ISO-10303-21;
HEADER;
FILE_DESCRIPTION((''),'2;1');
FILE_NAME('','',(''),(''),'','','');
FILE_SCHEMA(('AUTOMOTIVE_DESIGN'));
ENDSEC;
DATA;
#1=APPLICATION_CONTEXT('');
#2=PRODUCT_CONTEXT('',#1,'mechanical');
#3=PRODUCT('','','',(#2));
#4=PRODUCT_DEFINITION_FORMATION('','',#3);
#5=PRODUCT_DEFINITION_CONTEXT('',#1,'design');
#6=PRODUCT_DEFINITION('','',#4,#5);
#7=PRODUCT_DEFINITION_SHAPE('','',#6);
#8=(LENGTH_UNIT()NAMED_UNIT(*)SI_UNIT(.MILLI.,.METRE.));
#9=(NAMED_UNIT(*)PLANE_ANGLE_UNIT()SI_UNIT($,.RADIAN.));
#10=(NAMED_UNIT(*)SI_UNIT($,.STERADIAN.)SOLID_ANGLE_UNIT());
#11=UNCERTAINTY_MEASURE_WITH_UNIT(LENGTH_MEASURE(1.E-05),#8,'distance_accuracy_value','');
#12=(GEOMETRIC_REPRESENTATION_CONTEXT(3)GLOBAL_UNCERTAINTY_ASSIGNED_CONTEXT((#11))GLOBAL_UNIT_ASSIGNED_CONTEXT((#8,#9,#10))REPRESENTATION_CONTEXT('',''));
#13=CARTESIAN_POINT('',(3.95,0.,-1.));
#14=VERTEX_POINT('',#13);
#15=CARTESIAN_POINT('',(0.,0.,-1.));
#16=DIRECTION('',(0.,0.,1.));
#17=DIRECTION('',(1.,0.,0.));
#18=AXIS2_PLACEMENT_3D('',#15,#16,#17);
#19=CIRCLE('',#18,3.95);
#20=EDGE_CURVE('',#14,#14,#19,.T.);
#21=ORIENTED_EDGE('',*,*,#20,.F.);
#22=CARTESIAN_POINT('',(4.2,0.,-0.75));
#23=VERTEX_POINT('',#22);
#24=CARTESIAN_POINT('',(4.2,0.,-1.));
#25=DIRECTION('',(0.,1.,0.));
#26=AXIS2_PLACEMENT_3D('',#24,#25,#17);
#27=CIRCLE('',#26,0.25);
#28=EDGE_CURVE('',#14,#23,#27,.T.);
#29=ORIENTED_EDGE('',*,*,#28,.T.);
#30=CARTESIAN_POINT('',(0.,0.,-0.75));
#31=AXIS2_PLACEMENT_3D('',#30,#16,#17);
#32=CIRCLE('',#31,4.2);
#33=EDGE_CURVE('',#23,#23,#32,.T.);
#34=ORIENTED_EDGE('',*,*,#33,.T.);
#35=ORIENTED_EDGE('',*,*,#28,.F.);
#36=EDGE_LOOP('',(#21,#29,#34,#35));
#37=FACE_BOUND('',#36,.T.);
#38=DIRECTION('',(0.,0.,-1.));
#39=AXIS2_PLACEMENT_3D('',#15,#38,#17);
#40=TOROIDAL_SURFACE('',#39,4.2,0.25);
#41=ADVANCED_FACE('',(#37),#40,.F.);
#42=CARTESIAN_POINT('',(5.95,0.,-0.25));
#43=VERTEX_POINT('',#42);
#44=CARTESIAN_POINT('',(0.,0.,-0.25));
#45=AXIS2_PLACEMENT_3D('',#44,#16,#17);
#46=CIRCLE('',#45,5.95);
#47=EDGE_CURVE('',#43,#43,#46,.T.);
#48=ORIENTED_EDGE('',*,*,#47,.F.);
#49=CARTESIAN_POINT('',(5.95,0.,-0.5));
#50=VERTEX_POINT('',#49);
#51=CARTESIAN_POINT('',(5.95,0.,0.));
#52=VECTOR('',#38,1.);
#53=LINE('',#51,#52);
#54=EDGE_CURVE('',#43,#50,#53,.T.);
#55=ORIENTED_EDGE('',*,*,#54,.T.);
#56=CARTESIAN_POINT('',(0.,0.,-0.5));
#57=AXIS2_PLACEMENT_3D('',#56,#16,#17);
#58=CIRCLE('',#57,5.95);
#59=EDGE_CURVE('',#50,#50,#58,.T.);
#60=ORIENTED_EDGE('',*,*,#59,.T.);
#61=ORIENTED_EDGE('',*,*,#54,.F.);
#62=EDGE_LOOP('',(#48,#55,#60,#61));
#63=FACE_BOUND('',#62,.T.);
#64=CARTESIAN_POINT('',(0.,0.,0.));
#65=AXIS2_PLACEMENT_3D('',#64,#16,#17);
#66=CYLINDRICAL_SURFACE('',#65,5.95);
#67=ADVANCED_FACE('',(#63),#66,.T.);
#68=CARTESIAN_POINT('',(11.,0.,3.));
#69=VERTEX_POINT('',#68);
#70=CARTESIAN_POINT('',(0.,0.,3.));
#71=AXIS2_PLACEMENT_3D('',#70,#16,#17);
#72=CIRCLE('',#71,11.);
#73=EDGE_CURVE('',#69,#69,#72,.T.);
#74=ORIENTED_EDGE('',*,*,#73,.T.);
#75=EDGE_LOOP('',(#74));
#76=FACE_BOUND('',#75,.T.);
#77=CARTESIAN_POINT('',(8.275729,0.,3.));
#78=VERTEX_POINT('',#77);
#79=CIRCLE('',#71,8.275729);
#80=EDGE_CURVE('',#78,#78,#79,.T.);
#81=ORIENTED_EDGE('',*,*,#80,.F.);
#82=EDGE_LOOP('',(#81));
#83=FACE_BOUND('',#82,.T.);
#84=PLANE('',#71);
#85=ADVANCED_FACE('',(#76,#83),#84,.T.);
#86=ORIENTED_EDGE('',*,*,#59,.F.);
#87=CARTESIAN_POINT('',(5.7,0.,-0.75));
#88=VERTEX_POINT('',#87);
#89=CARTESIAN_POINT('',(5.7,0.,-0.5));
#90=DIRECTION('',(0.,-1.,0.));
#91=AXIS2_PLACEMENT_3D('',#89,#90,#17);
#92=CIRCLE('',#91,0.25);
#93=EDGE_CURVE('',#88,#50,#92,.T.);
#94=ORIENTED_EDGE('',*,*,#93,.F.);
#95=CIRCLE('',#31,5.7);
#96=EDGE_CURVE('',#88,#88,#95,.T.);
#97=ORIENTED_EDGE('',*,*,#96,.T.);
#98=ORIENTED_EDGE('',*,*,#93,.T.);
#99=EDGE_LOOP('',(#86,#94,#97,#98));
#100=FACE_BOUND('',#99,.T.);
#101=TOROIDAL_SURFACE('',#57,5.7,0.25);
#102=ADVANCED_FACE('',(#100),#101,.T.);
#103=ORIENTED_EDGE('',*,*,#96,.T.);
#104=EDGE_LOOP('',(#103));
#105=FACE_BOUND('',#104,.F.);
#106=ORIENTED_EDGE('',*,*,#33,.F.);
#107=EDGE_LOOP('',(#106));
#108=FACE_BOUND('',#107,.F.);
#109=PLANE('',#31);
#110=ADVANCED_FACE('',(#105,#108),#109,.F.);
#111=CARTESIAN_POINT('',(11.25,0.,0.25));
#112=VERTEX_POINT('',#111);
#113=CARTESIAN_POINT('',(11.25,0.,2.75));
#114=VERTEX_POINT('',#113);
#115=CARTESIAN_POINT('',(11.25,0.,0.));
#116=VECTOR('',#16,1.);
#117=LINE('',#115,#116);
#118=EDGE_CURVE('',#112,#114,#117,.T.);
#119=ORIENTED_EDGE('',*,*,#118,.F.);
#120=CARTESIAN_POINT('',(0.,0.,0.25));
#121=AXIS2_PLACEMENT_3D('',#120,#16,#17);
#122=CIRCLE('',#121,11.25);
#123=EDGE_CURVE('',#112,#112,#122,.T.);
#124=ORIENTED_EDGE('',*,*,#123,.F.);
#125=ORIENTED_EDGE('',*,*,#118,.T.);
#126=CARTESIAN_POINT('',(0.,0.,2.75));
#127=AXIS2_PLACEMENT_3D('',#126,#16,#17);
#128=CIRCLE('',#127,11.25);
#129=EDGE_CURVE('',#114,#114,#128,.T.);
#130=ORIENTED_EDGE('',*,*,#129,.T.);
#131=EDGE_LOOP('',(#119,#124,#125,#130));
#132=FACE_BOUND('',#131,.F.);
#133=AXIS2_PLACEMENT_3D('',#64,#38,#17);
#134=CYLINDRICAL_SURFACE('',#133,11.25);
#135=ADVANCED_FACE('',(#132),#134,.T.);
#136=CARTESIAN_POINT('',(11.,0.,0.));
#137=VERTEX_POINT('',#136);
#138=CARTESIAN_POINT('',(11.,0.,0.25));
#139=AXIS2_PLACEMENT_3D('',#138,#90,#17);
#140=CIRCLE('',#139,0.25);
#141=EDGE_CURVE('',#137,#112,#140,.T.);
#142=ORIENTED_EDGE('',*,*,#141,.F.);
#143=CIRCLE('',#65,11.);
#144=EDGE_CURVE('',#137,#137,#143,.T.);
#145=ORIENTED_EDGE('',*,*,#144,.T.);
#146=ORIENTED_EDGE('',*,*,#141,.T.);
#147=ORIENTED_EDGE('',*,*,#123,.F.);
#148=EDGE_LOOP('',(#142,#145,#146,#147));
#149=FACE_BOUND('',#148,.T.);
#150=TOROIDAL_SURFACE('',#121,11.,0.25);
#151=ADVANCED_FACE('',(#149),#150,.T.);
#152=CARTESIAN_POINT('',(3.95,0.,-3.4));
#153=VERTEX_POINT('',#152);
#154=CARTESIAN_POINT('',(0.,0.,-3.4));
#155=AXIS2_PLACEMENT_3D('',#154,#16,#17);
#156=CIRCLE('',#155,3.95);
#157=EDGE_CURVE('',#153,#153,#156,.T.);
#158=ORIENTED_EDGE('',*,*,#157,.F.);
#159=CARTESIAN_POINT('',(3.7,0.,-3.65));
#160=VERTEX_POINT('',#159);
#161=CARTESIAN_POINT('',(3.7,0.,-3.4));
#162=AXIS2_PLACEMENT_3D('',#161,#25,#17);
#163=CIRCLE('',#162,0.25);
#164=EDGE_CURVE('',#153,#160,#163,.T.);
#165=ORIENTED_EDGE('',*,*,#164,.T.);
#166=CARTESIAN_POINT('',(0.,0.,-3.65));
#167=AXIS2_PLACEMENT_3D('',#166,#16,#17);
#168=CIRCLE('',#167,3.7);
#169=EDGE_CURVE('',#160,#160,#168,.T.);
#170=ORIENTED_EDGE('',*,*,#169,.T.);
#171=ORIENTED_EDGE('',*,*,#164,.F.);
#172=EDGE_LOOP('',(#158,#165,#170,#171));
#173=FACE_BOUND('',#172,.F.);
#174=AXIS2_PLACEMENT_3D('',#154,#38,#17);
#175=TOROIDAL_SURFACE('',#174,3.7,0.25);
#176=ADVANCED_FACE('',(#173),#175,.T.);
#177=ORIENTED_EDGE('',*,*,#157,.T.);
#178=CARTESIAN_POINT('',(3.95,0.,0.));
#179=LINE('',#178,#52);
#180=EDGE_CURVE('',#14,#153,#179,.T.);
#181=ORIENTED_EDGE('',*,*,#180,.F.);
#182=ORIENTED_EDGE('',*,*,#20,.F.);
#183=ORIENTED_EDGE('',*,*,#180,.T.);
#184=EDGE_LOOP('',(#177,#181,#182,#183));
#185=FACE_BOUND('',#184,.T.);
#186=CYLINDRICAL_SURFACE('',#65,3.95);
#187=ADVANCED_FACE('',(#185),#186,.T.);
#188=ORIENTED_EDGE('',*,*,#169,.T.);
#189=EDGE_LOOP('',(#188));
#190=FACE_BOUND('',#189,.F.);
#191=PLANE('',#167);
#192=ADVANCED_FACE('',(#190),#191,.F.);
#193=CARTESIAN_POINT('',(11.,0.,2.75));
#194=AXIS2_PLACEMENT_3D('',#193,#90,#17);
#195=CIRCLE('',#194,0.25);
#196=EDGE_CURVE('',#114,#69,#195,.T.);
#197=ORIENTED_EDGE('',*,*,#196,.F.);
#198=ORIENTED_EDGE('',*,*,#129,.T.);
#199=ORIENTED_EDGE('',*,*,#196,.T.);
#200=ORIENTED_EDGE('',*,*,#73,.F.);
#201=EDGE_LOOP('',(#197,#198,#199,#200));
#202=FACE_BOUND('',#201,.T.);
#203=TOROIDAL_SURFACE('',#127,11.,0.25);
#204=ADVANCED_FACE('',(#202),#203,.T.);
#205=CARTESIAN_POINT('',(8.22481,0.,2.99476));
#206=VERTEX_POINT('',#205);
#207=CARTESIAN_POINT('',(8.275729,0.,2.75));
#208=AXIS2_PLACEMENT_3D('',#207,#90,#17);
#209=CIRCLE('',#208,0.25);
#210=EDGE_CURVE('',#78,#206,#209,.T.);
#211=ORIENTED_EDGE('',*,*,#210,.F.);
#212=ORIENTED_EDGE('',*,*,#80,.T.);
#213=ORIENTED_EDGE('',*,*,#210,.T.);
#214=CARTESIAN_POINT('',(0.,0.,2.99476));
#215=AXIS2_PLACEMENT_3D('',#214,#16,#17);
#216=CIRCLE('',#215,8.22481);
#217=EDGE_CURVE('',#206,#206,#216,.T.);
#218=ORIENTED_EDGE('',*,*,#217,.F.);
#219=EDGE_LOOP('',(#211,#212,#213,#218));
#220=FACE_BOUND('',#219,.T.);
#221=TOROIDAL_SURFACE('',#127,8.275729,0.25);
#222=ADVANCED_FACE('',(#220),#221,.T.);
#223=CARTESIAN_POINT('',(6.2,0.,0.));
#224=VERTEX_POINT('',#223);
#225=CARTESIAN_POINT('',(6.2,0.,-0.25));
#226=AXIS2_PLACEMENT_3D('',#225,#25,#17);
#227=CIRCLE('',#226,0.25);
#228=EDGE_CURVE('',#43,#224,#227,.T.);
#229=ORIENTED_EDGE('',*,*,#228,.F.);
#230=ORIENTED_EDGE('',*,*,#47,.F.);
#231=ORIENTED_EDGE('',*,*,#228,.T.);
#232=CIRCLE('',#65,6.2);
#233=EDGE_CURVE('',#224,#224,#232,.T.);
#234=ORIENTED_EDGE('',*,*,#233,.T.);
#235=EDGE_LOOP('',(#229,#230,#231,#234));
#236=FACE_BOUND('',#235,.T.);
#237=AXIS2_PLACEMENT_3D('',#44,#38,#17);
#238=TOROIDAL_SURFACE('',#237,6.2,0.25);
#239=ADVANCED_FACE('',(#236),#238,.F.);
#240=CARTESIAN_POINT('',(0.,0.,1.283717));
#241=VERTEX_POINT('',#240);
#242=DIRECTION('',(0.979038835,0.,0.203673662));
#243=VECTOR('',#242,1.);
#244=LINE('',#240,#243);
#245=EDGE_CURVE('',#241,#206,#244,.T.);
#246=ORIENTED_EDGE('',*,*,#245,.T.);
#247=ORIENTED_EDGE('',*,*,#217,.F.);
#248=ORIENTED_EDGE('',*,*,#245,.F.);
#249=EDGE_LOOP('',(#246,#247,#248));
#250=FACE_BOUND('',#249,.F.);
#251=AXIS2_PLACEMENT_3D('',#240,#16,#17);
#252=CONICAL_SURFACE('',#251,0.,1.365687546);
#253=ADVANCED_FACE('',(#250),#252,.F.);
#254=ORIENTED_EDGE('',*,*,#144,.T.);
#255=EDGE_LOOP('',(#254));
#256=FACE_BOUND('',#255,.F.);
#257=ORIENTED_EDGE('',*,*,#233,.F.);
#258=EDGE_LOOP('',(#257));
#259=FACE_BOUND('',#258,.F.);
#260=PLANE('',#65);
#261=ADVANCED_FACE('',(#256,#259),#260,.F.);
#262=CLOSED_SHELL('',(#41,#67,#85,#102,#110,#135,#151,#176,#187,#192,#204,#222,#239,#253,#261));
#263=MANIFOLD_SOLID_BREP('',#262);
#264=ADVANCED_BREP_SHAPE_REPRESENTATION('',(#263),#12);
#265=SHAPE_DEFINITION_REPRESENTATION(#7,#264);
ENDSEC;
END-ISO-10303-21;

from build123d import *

# Parameters (mm, degrees)
F0_R     = 11.25
F0_R_2   = 8.25
F0_R_3   = 5.95
F0_R_4   = 3.95
F1_DEPTH = 3
F2_DEPTH = 0.75
F3_DEPTH = 3.65
F6_R     = 0.25


with BuildPart() as f1:
    # F0 (on Top) → F1 (new body)
    with BuildSketch(Plane.XY):
        Circle(F0_R)
        Circle(F0_R_2, mode=Mode.SUBTRACT)
        Circle(F0_R_2)
        Circle(F0_R_3, mode=Mode.SUBTRACT)
        Circle(F0_R_3)
        Circle(F0_R_4, mode=Mode.SUBTRACT)
        Circle(F0_R_4)
    extrude(amount=F1_DEPTH)

    # F0 (on Top) → F2 (join)
    with BuildSketch(Plane.XY):
        Circle(F0_R_3)
        Circle(F0_R_4, mode=Mode.SUBTRACT)
        Circle(F0_R_4)
    extrude(amount=-F2_DEPTH)

    # F0 (on Top) → F3 (join)
    with BuildSketch(Plane.XY):
        Circle(F0_R_4)
    extrude(amount=-F3_DEPTH)

    # F4 (on Front) → F5 (revolve, cut)
    with BuildSketch(Plane.XZ):
        Polygon((0, 3), (0, 1.283717), (8.25, 3), align=None)
    revolve(axis=Axis((0, 0, 2.141858), (0, 0, 1)), mode=Mode.SUBTRACT)

    # F6
    f6_edges = [f1.edges().sort_by_distance(p)[0] for p in [
        (-8.25, 0, 3),
        (-11.25, 0, 3),
        (-11.25, 0, 0),
        (-3.95, 0, -3.65),
        (-3.95, 0, -0.75),
        (-5.95, 0, -0.75),
        (5.95, 0, -0.375),
        (-5.95, 0, 0),
    ]]
    fillet(f6_edges, radius=F6_R)


solid = f1.part
